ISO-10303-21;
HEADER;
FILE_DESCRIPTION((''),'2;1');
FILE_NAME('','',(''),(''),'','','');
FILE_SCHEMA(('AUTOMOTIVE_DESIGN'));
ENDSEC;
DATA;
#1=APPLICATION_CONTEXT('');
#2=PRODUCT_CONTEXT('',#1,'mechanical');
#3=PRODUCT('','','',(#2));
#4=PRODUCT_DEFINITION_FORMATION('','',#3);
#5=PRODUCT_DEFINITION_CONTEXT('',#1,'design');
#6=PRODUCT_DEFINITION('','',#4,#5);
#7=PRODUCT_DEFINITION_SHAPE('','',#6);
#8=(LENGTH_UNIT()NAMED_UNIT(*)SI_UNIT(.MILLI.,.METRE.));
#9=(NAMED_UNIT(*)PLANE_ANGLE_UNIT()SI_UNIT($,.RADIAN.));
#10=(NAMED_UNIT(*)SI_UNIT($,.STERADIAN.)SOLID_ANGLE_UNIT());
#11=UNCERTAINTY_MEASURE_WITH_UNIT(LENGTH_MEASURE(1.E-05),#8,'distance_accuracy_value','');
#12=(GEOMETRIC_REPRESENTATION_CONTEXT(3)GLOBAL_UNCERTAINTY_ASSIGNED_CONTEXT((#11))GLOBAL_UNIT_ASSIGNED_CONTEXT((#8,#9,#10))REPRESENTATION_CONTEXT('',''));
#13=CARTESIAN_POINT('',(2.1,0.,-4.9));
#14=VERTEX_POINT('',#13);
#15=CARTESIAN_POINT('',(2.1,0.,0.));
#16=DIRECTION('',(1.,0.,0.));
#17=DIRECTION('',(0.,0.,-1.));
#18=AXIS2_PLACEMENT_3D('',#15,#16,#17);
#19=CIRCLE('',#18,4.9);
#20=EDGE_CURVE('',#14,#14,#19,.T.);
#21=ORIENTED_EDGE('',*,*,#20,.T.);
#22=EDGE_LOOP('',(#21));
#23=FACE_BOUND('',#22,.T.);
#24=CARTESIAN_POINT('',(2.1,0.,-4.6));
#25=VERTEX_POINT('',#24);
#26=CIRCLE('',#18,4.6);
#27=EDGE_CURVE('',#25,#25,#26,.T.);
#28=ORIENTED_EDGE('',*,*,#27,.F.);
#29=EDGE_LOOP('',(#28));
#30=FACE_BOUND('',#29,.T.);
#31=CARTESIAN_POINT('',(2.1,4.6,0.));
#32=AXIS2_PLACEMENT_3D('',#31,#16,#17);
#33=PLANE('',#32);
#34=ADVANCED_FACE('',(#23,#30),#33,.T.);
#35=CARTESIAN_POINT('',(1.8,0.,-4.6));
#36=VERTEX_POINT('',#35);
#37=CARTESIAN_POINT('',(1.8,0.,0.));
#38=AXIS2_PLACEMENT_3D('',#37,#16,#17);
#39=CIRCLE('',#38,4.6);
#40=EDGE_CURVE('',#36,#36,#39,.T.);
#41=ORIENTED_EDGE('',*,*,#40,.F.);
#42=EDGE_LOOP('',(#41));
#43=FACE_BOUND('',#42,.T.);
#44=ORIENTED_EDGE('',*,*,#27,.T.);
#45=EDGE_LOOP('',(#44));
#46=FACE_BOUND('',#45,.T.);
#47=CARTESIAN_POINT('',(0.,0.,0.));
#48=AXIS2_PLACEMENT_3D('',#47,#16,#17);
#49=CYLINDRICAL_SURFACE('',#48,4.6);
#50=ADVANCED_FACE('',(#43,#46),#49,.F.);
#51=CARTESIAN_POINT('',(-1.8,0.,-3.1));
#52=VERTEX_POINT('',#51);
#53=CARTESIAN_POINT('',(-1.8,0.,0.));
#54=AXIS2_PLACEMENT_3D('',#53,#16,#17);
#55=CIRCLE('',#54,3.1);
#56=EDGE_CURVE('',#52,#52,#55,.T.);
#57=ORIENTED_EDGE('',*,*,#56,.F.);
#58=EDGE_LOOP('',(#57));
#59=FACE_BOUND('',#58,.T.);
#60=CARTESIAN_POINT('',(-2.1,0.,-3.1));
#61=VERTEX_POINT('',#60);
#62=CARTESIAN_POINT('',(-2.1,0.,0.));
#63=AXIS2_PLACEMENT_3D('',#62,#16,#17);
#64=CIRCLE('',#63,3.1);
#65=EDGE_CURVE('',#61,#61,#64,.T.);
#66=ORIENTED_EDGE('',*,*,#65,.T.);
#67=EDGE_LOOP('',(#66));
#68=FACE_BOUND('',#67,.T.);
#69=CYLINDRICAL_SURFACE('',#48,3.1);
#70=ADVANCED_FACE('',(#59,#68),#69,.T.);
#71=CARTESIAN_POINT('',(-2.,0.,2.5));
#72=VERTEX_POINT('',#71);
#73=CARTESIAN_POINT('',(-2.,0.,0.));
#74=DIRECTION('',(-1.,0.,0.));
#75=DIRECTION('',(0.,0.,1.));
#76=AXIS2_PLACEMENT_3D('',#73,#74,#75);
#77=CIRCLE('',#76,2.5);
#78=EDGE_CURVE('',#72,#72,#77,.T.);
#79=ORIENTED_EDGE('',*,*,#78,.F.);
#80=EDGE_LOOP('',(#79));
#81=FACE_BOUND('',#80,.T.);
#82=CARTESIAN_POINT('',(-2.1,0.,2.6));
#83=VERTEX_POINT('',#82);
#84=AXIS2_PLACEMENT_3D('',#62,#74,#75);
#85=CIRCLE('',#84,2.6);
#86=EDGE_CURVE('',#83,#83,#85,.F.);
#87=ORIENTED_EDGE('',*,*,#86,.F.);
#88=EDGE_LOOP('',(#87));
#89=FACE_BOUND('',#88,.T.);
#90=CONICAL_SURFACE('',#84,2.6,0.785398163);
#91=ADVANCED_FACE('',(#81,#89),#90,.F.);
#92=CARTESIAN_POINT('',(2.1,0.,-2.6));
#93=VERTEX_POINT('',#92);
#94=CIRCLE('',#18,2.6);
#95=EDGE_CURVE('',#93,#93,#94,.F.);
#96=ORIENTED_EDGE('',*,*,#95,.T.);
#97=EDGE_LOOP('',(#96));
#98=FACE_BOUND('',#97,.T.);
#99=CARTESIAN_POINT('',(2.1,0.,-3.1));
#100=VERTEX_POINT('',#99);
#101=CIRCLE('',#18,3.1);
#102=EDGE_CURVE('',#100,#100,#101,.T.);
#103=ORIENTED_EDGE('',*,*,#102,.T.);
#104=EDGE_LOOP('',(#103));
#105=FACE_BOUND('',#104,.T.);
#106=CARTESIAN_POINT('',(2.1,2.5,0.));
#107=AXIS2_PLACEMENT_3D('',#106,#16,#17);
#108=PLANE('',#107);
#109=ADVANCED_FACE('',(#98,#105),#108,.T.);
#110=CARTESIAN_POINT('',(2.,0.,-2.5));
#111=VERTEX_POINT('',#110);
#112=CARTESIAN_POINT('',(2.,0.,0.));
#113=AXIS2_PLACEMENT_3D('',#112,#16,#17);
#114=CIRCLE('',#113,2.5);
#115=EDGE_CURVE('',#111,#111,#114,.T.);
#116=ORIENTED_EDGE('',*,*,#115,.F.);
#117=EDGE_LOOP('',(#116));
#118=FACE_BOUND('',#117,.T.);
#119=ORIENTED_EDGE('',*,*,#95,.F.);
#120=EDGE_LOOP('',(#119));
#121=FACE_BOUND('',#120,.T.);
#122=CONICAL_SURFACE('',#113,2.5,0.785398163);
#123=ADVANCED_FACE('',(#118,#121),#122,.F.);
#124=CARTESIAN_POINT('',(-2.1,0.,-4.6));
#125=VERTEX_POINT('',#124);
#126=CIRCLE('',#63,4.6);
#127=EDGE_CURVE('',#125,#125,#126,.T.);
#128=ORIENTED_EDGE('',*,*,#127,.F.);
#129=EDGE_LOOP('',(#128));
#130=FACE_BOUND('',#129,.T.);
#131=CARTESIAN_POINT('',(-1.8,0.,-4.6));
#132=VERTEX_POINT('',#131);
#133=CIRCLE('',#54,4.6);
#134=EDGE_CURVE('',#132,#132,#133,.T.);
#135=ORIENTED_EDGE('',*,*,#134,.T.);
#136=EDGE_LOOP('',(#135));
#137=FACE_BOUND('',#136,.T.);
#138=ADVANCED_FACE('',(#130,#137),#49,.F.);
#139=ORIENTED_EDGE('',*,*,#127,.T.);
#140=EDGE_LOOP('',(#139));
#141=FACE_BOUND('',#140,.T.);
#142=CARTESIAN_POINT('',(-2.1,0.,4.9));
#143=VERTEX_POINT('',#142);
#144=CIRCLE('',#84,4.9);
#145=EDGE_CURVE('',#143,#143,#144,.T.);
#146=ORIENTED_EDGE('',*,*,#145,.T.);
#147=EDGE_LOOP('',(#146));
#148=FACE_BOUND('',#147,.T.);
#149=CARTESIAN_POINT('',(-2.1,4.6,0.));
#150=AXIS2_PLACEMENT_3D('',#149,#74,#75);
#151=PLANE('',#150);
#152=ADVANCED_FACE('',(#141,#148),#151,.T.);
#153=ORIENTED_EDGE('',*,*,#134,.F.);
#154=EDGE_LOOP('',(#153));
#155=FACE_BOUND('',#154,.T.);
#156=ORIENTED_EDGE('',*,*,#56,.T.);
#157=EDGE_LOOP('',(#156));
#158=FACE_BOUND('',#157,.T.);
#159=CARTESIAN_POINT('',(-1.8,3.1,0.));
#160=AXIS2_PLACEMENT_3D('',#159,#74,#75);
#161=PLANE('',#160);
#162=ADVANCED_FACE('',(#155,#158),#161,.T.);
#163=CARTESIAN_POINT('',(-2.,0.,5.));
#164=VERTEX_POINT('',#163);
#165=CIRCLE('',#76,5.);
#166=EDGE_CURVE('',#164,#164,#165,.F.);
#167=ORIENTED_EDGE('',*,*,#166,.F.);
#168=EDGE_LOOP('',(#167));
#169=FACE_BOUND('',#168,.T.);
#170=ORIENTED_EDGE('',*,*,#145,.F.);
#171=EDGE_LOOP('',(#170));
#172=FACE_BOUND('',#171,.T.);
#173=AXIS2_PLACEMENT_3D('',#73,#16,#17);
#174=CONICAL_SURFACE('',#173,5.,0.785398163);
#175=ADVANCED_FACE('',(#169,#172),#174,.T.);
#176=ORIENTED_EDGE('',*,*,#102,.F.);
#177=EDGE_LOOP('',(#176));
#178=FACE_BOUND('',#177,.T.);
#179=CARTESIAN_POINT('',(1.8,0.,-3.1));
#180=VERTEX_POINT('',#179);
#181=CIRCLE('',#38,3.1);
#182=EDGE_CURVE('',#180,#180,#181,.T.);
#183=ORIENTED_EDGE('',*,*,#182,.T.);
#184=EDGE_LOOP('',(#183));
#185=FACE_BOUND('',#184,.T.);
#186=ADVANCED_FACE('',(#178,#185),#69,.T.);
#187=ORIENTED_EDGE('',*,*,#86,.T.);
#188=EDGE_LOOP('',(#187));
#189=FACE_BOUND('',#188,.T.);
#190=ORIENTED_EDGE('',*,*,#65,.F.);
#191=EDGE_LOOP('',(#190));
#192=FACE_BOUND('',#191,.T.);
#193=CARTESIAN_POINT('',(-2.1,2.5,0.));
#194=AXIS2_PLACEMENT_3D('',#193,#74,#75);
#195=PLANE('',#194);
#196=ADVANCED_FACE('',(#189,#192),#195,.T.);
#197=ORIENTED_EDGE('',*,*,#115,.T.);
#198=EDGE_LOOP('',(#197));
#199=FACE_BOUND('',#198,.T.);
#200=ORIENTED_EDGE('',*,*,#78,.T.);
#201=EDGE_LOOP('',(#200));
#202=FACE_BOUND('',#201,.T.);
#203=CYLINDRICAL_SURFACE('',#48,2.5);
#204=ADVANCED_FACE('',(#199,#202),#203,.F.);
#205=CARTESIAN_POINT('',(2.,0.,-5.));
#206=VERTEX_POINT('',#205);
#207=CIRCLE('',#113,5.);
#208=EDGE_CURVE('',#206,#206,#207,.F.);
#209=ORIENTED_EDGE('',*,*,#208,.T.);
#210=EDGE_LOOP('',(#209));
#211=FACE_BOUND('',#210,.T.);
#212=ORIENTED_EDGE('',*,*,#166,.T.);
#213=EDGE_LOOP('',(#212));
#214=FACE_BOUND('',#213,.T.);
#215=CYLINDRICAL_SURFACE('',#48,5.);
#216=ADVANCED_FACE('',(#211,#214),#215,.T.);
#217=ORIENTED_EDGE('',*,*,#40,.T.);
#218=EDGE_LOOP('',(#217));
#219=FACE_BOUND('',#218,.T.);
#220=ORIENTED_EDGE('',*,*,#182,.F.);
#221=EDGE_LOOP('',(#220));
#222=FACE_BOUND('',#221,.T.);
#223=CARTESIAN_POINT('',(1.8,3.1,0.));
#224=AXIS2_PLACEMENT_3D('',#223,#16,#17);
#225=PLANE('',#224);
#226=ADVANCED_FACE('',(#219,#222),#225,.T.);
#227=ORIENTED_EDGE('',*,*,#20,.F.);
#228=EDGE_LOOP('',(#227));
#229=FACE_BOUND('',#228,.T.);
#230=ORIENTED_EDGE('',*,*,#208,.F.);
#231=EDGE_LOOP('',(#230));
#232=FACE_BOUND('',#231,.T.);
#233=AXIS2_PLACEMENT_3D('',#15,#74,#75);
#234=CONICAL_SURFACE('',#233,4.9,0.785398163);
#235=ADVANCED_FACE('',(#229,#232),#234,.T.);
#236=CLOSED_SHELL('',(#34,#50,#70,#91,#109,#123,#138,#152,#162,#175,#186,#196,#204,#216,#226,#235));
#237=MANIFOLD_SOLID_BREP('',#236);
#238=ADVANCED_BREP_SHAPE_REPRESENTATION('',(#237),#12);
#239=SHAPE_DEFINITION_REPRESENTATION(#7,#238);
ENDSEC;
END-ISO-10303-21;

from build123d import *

# Parameters (mm, degrees)
CHAMFER1_SIZE = 0.1


with BuildPart() as part:
    # Sketch1 → Revolve1 (revolve)
    with BuildSketch(Plane.XY, mode=Mode.PRIVATE) as revolve1_sk:
        Polygon((2.1, 2.5), (-2.1, 2.5), (-2.1, 3.1), (-1.8, 3.1), (-1.8, 4.6), (-2.1, 4.6), (-2.1, 5), (2.1, 5), (2.1, 4.6), (1.8, 4.6), (1.8, 3.1), (2.1, 3.1), align=None)
    revolve(revolve1_sk.sketch.rotate(Axis((0, 0, 0), (-1, 0, 0)), 90), axis=Axis((0, 0, 0), (-1, 0, 0)))

    # Chamfer1
    chamfer1_edges = [part.edges().sort_by_distance(p)[0] for p in [
        (2.1, 0, 5),
        (-2.1, 0, 5),
        (-2.1, 0, 2.5),
        (2.1, 0, 2.5),
    ]]
    chamfer(chamfer1_edges, length=CHAMFER1_SIZE)


solid = part.part
